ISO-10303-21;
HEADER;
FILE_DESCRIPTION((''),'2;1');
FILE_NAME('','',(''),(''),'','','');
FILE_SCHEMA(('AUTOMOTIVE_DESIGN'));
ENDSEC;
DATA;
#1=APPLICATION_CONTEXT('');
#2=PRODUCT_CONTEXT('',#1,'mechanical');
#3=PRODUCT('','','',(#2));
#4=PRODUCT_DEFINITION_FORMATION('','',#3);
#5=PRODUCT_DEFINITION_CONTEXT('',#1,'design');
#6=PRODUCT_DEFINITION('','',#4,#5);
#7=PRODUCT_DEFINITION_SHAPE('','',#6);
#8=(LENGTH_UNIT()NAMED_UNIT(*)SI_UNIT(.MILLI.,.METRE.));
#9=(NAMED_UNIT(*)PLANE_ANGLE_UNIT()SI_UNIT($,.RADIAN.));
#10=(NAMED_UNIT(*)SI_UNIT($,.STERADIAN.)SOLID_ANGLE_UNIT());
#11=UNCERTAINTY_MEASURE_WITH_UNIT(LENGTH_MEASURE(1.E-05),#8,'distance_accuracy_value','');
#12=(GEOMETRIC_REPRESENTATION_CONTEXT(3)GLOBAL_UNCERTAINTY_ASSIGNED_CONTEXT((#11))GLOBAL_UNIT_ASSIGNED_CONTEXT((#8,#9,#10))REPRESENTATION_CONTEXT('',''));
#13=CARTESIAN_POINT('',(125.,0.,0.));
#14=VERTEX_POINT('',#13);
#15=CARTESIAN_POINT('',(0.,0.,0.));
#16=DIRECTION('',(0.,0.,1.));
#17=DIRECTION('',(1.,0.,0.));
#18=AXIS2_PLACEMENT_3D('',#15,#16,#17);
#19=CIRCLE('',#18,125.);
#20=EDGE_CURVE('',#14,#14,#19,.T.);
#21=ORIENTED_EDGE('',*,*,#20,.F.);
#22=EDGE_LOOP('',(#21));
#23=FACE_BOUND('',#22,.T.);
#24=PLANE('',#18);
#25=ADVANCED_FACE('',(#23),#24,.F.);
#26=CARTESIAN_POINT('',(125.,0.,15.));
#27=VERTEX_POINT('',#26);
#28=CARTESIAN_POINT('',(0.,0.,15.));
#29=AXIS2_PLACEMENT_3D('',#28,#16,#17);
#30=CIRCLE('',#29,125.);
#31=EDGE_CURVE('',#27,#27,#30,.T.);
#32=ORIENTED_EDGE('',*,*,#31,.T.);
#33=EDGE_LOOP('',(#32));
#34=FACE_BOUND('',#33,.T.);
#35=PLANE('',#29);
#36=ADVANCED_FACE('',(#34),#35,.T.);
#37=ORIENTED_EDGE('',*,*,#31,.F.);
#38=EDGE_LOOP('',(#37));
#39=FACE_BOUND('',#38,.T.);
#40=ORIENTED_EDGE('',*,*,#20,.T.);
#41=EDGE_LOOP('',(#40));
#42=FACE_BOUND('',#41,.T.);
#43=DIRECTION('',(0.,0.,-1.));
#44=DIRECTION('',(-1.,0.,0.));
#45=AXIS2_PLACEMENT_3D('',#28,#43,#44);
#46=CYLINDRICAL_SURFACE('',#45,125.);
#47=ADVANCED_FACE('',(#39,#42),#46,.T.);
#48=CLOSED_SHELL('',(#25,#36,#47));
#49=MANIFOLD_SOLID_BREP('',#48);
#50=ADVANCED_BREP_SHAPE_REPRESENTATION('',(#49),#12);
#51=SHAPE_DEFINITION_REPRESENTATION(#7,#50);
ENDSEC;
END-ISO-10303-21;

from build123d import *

# Parameters (mm, degrees)
SKETCH1_R           = 125
BOSS_EXTRUDE1_DEPTH = 15


with BuildPart() as part:
    # Sketch1 → Boss-Extrude1 (new body)
    with BuildSketch(Plane.XY):
        Circle(SKETCH1_R)
    extrude(amount=BOSS_EXTRUDE1_DEPTH)


solid = part.part
